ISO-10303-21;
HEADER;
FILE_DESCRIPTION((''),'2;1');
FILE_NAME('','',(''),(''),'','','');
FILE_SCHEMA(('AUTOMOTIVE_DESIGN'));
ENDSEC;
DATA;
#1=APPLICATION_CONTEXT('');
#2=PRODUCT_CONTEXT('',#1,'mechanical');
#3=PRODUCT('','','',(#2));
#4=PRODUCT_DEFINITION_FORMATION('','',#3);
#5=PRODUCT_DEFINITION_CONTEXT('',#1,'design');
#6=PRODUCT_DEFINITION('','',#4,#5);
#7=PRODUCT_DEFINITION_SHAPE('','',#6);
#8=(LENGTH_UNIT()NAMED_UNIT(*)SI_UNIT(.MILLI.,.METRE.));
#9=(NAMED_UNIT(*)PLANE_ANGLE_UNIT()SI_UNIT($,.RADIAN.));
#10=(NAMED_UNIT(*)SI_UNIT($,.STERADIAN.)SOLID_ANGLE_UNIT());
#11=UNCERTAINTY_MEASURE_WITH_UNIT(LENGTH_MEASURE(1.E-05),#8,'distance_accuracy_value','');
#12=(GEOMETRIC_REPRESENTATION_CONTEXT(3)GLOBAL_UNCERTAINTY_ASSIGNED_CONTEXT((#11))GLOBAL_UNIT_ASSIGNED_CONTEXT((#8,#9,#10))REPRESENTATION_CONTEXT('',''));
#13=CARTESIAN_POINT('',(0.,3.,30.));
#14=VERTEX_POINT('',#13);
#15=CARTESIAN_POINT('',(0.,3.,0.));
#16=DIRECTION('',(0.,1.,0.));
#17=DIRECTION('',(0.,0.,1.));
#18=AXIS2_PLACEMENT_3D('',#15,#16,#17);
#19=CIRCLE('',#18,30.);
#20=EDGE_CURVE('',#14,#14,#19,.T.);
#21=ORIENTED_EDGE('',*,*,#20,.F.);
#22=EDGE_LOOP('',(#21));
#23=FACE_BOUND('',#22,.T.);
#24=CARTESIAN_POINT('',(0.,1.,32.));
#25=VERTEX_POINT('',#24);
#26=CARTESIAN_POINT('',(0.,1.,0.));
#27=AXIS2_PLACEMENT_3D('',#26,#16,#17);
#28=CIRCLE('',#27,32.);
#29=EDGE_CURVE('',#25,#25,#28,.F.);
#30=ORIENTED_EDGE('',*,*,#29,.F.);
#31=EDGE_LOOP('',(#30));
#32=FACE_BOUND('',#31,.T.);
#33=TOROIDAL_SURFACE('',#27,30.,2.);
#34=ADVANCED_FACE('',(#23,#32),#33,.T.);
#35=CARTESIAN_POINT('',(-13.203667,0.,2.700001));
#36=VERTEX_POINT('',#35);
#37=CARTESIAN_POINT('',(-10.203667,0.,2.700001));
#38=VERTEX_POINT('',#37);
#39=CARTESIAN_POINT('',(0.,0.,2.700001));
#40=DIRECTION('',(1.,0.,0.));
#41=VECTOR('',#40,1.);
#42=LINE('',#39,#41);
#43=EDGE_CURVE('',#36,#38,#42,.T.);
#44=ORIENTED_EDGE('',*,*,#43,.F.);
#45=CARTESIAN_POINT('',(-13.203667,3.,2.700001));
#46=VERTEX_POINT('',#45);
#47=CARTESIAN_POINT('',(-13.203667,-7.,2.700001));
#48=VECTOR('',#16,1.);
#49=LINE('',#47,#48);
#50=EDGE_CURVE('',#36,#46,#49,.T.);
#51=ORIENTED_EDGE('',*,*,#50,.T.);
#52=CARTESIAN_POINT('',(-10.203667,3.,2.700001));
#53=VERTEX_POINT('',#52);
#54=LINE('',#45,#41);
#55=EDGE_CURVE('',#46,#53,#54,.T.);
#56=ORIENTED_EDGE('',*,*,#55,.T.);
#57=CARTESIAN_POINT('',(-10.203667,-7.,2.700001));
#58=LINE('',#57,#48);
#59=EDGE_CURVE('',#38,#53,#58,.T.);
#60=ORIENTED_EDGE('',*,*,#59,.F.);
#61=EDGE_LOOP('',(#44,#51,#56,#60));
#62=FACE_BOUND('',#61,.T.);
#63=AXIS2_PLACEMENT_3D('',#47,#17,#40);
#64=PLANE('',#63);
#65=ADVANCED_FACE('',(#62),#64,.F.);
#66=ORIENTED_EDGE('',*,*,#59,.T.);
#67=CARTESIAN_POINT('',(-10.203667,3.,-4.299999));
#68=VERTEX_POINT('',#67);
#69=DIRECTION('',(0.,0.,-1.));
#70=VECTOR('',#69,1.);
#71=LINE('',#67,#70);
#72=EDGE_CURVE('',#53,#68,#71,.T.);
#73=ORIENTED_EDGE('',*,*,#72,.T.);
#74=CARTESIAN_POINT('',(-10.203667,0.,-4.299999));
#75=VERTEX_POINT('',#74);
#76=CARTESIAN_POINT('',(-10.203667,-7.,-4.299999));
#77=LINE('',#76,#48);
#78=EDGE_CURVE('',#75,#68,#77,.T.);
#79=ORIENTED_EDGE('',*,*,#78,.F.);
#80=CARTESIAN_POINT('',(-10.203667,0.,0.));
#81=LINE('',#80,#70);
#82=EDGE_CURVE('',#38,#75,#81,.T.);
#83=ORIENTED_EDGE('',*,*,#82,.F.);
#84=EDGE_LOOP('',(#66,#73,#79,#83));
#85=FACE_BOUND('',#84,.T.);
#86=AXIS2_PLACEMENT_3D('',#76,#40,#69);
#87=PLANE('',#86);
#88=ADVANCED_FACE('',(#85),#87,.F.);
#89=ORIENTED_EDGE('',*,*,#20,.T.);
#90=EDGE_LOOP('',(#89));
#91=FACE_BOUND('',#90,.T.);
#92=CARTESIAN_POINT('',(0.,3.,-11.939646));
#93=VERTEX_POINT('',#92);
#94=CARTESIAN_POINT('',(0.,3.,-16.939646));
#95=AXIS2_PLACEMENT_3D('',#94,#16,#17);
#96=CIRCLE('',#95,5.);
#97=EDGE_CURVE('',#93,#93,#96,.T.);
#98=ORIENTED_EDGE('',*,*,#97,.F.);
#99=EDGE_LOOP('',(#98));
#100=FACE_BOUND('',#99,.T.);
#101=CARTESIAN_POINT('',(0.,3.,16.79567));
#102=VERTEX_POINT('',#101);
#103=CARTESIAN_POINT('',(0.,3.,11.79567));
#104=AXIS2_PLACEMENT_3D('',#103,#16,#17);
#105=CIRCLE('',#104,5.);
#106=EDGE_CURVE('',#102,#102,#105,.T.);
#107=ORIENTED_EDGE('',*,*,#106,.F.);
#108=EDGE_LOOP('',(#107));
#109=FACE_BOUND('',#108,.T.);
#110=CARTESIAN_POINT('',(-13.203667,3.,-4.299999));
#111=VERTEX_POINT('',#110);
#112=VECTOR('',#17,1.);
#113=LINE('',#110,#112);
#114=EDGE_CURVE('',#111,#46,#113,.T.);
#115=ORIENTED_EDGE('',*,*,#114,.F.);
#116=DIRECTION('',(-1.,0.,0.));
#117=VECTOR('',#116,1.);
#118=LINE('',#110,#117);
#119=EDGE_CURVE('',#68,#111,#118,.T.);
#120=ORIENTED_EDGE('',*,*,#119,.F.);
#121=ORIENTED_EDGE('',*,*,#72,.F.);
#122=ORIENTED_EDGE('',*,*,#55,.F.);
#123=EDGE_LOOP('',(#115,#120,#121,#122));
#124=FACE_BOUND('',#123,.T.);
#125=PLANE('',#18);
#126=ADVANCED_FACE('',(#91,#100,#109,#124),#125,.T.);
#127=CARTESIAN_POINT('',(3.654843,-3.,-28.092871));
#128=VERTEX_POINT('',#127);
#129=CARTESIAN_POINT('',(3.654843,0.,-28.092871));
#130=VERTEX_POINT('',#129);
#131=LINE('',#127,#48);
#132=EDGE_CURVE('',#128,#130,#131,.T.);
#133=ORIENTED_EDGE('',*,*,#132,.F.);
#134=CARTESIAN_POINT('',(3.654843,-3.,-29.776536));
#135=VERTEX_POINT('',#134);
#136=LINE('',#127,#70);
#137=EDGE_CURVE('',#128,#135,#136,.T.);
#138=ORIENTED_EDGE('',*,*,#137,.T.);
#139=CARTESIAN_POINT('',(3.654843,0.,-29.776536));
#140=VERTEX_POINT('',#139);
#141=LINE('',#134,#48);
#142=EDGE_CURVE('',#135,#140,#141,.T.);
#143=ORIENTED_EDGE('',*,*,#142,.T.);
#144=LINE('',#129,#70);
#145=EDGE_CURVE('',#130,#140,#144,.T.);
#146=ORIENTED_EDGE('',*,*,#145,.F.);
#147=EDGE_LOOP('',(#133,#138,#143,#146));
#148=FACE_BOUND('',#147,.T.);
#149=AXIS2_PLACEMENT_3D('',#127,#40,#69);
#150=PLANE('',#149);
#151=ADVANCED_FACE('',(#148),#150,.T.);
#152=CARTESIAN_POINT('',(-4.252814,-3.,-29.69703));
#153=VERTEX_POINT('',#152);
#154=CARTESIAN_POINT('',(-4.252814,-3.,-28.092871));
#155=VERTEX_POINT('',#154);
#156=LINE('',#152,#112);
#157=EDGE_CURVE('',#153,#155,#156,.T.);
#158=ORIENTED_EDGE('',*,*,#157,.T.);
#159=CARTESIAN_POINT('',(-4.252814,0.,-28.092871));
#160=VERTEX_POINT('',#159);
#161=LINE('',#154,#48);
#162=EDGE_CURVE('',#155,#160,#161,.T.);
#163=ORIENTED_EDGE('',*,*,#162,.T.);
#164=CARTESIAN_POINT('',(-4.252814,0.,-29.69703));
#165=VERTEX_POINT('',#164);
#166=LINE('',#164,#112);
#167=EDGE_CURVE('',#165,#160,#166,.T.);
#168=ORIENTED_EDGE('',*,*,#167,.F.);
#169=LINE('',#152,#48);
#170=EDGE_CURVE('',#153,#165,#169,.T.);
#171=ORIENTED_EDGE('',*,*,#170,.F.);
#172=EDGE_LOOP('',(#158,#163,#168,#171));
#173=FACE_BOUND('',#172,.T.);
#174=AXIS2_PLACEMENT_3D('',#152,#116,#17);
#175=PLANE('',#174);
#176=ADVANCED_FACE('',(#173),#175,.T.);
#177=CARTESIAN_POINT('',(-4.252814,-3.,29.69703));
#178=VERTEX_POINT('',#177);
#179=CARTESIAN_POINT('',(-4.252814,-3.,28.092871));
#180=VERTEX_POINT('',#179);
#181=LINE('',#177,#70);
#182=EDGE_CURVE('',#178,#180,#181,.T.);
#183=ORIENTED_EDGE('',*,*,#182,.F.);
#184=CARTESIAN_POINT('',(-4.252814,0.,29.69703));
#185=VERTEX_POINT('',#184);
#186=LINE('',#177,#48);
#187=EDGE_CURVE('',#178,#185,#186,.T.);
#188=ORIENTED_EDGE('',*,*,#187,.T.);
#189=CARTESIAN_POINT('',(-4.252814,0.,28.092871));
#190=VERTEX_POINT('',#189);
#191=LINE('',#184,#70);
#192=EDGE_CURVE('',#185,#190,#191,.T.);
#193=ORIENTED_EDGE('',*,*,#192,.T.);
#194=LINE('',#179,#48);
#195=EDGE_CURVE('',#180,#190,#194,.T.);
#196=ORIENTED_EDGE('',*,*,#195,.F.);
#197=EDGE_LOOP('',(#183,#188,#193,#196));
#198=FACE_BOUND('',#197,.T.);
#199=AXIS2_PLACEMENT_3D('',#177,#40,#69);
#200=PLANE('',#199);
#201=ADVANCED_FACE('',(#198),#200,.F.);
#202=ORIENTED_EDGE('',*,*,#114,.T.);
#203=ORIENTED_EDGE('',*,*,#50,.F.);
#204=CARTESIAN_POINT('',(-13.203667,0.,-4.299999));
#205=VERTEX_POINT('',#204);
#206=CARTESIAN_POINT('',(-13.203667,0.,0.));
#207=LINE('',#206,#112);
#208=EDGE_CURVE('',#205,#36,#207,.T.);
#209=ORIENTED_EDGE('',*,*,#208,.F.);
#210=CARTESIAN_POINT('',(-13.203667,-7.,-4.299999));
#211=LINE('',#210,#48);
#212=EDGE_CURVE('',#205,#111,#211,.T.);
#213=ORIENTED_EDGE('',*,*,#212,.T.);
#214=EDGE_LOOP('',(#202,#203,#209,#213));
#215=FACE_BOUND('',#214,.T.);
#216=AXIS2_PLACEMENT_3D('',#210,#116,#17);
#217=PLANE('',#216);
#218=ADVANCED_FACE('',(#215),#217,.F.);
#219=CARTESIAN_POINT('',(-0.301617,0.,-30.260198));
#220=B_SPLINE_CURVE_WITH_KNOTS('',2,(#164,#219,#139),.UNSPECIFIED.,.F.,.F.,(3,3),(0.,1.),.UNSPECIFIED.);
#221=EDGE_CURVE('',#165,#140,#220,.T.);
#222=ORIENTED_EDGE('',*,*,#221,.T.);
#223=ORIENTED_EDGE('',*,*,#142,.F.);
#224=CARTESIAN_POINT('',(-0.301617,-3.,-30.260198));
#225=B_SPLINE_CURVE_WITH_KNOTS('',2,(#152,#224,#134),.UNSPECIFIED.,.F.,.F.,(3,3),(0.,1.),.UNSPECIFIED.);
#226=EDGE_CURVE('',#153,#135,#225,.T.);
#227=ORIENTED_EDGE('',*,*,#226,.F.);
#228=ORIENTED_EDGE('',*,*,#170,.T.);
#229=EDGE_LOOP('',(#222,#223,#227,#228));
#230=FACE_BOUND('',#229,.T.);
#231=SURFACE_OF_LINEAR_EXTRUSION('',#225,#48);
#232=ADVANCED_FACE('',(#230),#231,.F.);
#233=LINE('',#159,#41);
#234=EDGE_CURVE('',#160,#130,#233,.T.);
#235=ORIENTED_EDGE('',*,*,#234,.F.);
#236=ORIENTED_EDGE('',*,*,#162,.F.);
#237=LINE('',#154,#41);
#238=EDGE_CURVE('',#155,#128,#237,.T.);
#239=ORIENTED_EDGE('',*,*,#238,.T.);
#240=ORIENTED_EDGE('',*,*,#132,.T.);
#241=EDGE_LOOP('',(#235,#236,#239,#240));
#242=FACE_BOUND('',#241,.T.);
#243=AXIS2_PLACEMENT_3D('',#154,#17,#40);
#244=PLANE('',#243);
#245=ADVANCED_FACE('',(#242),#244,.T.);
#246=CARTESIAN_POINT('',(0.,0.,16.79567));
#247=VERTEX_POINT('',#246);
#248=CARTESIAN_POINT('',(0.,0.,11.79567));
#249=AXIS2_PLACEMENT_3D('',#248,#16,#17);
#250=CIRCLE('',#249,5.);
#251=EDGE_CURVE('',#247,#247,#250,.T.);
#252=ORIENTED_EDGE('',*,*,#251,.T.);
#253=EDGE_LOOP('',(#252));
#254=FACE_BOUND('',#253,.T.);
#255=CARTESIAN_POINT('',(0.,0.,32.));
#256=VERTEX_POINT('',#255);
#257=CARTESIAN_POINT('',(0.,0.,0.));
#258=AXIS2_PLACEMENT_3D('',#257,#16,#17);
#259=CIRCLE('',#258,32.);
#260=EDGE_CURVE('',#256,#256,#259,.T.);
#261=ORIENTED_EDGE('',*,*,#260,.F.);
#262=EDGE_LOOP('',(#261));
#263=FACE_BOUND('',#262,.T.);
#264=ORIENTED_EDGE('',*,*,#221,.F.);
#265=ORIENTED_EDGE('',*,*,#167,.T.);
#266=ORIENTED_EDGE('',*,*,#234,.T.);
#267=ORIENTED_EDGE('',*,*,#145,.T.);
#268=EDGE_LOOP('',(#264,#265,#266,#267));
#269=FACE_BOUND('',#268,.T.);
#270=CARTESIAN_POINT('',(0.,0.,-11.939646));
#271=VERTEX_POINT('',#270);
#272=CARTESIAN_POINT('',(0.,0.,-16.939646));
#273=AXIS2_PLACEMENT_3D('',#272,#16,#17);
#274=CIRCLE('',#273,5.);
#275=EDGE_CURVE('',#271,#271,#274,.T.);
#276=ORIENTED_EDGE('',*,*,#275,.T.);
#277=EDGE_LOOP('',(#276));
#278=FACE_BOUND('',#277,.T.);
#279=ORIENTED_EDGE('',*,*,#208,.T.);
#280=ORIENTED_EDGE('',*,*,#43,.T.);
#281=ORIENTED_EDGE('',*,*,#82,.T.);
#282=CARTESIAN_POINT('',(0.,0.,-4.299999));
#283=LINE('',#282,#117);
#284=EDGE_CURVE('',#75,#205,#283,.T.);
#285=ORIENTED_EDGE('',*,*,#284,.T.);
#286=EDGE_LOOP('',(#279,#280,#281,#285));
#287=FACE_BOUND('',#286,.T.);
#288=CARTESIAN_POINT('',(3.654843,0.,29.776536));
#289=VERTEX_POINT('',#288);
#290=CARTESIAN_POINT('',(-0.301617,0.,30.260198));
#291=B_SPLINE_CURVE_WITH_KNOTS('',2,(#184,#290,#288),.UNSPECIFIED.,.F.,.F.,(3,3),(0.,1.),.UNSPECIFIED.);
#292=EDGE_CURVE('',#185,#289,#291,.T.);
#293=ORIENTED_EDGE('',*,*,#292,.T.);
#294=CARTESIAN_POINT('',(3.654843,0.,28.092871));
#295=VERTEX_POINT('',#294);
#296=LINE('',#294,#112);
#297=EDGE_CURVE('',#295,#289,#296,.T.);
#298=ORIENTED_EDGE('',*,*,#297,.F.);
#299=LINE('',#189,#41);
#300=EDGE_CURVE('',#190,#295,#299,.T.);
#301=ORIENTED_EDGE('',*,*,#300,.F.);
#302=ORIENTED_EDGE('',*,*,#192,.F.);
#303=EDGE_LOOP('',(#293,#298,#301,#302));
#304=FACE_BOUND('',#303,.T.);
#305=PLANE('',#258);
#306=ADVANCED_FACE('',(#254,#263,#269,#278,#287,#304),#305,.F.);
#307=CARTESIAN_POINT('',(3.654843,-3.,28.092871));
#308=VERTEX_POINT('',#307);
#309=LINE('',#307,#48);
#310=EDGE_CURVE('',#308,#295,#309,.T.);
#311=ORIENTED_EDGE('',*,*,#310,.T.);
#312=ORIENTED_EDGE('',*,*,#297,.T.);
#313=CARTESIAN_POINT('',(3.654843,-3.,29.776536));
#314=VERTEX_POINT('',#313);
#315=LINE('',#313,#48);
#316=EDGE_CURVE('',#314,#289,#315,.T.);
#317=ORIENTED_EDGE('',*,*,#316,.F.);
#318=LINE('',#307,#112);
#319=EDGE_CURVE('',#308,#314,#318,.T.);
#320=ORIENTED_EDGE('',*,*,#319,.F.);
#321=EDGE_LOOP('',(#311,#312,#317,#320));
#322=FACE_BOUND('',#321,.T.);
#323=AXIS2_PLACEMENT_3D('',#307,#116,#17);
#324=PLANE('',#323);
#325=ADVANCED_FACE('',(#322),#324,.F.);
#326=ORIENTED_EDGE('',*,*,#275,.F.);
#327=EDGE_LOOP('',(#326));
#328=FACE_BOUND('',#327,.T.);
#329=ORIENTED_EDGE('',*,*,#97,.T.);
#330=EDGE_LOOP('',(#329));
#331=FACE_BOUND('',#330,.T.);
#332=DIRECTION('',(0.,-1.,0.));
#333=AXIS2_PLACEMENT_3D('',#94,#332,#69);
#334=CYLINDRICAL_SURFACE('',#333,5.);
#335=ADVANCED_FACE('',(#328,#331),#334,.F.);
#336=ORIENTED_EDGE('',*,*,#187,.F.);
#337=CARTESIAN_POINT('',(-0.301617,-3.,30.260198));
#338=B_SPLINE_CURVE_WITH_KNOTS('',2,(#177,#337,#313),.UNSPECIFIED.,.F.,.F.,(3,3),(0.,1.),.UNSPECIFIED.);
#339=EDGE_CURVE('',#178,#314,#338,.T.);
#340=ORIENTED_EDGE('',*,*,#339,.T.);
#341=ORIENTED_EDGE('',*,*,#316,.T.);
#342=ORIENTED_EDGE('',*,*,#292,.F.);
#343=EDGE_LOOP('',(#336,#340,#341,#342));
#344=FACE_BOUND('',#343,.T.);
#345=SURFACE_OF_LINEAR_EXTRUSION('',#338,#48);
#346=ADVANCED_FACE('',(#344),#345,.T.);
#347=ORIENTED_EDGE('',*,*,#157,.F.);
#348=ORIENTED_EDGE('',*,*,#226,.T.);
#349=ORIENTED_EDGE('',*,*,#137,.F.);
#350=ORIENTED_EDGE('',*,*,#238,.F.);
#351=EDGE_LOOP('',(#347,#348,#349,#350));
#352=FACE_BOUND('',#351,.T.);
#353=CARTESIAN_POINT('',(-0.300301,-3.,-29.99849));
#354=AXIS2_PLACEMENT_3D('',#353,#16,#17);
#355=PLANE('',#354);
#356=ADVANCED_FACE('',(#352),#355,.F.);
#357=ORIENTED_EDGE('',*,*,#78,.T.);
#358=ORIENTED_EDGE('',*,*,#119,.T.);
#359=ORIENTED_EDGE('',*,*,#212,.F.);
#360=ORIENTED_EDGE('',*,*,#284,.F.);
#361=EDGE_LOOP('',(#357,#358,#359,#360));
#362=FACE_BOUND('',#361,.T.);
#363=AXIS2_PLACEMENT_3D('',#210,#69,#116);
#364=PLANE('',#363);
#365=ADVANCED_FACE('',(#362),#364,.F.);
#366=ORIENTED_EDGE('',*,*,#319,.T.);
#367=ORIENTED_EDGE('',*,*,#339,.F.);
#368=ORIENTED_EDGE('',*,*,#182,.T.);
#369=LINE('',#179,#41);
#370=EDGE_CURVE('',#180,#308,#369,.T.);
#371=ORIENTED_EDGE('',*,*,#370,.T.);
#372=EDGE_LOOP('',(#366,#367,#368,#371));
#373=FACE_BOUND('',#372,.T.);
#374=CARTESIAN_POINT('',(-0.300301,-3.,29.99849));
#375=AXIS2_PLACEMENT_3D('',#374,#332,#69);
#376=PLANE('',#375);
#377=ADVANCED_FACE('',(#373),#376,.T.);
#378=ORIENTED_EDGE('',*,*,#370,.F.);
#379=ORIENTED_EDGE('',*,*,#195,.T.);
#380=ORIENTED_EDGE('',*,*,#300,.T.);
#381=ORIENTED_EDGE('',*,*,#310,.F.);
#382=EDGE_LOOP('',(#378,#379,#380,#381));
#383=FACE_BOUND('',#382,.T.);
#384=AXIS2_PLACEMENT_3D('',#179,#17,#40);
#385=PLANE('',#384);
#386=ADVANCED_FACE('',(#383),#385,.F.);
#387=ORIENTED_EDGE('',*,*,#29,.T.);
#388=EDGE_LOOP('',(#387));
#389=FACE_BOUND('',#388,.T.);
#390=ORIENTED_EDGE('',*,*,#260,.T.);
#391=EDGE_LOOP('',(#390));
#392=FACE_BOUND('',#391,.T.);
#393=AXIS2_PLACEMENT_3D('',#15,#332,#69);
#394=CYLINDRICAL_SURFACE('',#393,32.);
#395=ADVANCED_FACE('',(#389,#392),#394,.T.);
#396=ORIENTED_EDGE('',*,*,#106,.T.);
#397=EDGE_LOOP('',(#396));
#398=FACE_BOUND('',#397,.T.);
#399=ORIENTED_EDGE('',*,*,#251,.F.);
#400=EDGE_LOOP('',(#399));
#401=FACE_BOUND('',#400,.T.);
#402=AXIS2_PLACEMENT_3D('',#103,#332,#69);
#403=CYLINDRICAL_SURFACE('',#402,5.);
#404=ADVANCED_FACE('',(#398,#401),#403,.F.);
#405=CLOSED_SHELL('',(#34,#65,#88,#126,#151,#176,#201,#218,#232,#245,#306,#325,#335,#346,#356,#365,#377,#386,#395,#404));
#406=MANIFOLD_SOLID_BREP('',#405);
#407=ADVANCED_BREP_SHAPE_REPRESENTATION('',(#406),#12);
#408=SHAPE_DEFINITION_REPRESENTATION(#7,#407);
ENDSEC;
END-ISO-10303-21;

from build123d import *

# Parameters (mm, degrees)
ESQUISSE2_R             = 32
ESQUISSE2_R_2           = 5
BOSS_EXTRU_1_DEPTH      = 3
CONG_1_R                = 2
BOSS_EXTRU_2_DEPTH      = 3
ESQUISSE4_W             = 3
ESQUISSE4_H             = 7
ENL_V_MAT_EXTRU_1_DEPTH = 10


with BuildPart() as part:
    # Esquisse2 → Boss.-Extru.1 (new body)
    with BuildSketch(Plane(origin=(0, 0, 0), x_dir=(1, 0, 0), z_dir=(0, 1, 0))):
        with Locations(Location((0, 0, 0), (0, 0, 270))):
            Circle(ESQUISSE2_R)
        with Locations(Location((0, -11.795669906, 0), (0, 0, 270))):
            Circle(ESQUISSE2_R_2, mode=Mode.SUBTRACT)
        with Locations(Location((0, 16.939646256, 0), (0, 0, 270))):
            Circle(ESQUISSE2_R_2, mode=Mode.SUBTRACT)
    extrude(amount=BOSS_EXTRU_1_DEPTH)

    # Congé1
    cong_1_edges = [part.edges().sort_by_distance(p)[0] for p in [
        (0, 3, -32),
    ]]
    fillet(cong_1_edges, radius=CONG_1_R)

    # Esquisse3 → Boss.-Extru.2 (add)
    with BuildSketch(Plane.XZ):
        with BuildLine():
            Line((-4.252814477, 29.697029633), (-4.252814477, 28.09287077))
            Line((-4.252814477, 28.09287077), (3.65484317, 28.09287077))
            Line((3.65484317, 28.09287077), (3.65484317, 29.776536424))
            add(Edge.make_bspline(
                [(-4.252814477, 29.697029633), (-0.301616898, 30.260197697), (3.65484317, 29.776536424)],
                knots=[0, 0, 0, 1, 1, 1], degree=2))
        make_face()
        with BuildLine():
            Line((-4.252814477, -28.09287077), (3.65484317, -28.09287077))
            Line((3.65484317, -28.09287077), (3.65484317, -29.776536424))
            add(Edge.make_bspline(
                [(-4.252814477, -29.697029633), (-0.301616898, -30.260197697), (3.65484317, -29.776536424)],
                knots=[0, 0, 0, 1, 1, 1], degree=2))
            Line((-4.252814477, -29.697029633), (-4.252814477, -28.09287077))
        make_face()
    extrude(amount=BOSS_EXTRU_2_DEPTH)

    # Esquisse4 → Enlèv. mat.-Extru.1 (cut)
    with BuildSketch(Plane(origin=(0, 3, 0), x_dir=(1, 0, 0), z_dir=(0, 1, 0))):
        with Locations((-11.703666828, 0.799999388)):
            Rectangle(ESQUISSE4_W, ESQUISSE4_H)
    extrude(amount=-ENL_V_MAT_EXTRU_1_DEPTH, mode=Mode.SUBTRACT)


solid = part.part
